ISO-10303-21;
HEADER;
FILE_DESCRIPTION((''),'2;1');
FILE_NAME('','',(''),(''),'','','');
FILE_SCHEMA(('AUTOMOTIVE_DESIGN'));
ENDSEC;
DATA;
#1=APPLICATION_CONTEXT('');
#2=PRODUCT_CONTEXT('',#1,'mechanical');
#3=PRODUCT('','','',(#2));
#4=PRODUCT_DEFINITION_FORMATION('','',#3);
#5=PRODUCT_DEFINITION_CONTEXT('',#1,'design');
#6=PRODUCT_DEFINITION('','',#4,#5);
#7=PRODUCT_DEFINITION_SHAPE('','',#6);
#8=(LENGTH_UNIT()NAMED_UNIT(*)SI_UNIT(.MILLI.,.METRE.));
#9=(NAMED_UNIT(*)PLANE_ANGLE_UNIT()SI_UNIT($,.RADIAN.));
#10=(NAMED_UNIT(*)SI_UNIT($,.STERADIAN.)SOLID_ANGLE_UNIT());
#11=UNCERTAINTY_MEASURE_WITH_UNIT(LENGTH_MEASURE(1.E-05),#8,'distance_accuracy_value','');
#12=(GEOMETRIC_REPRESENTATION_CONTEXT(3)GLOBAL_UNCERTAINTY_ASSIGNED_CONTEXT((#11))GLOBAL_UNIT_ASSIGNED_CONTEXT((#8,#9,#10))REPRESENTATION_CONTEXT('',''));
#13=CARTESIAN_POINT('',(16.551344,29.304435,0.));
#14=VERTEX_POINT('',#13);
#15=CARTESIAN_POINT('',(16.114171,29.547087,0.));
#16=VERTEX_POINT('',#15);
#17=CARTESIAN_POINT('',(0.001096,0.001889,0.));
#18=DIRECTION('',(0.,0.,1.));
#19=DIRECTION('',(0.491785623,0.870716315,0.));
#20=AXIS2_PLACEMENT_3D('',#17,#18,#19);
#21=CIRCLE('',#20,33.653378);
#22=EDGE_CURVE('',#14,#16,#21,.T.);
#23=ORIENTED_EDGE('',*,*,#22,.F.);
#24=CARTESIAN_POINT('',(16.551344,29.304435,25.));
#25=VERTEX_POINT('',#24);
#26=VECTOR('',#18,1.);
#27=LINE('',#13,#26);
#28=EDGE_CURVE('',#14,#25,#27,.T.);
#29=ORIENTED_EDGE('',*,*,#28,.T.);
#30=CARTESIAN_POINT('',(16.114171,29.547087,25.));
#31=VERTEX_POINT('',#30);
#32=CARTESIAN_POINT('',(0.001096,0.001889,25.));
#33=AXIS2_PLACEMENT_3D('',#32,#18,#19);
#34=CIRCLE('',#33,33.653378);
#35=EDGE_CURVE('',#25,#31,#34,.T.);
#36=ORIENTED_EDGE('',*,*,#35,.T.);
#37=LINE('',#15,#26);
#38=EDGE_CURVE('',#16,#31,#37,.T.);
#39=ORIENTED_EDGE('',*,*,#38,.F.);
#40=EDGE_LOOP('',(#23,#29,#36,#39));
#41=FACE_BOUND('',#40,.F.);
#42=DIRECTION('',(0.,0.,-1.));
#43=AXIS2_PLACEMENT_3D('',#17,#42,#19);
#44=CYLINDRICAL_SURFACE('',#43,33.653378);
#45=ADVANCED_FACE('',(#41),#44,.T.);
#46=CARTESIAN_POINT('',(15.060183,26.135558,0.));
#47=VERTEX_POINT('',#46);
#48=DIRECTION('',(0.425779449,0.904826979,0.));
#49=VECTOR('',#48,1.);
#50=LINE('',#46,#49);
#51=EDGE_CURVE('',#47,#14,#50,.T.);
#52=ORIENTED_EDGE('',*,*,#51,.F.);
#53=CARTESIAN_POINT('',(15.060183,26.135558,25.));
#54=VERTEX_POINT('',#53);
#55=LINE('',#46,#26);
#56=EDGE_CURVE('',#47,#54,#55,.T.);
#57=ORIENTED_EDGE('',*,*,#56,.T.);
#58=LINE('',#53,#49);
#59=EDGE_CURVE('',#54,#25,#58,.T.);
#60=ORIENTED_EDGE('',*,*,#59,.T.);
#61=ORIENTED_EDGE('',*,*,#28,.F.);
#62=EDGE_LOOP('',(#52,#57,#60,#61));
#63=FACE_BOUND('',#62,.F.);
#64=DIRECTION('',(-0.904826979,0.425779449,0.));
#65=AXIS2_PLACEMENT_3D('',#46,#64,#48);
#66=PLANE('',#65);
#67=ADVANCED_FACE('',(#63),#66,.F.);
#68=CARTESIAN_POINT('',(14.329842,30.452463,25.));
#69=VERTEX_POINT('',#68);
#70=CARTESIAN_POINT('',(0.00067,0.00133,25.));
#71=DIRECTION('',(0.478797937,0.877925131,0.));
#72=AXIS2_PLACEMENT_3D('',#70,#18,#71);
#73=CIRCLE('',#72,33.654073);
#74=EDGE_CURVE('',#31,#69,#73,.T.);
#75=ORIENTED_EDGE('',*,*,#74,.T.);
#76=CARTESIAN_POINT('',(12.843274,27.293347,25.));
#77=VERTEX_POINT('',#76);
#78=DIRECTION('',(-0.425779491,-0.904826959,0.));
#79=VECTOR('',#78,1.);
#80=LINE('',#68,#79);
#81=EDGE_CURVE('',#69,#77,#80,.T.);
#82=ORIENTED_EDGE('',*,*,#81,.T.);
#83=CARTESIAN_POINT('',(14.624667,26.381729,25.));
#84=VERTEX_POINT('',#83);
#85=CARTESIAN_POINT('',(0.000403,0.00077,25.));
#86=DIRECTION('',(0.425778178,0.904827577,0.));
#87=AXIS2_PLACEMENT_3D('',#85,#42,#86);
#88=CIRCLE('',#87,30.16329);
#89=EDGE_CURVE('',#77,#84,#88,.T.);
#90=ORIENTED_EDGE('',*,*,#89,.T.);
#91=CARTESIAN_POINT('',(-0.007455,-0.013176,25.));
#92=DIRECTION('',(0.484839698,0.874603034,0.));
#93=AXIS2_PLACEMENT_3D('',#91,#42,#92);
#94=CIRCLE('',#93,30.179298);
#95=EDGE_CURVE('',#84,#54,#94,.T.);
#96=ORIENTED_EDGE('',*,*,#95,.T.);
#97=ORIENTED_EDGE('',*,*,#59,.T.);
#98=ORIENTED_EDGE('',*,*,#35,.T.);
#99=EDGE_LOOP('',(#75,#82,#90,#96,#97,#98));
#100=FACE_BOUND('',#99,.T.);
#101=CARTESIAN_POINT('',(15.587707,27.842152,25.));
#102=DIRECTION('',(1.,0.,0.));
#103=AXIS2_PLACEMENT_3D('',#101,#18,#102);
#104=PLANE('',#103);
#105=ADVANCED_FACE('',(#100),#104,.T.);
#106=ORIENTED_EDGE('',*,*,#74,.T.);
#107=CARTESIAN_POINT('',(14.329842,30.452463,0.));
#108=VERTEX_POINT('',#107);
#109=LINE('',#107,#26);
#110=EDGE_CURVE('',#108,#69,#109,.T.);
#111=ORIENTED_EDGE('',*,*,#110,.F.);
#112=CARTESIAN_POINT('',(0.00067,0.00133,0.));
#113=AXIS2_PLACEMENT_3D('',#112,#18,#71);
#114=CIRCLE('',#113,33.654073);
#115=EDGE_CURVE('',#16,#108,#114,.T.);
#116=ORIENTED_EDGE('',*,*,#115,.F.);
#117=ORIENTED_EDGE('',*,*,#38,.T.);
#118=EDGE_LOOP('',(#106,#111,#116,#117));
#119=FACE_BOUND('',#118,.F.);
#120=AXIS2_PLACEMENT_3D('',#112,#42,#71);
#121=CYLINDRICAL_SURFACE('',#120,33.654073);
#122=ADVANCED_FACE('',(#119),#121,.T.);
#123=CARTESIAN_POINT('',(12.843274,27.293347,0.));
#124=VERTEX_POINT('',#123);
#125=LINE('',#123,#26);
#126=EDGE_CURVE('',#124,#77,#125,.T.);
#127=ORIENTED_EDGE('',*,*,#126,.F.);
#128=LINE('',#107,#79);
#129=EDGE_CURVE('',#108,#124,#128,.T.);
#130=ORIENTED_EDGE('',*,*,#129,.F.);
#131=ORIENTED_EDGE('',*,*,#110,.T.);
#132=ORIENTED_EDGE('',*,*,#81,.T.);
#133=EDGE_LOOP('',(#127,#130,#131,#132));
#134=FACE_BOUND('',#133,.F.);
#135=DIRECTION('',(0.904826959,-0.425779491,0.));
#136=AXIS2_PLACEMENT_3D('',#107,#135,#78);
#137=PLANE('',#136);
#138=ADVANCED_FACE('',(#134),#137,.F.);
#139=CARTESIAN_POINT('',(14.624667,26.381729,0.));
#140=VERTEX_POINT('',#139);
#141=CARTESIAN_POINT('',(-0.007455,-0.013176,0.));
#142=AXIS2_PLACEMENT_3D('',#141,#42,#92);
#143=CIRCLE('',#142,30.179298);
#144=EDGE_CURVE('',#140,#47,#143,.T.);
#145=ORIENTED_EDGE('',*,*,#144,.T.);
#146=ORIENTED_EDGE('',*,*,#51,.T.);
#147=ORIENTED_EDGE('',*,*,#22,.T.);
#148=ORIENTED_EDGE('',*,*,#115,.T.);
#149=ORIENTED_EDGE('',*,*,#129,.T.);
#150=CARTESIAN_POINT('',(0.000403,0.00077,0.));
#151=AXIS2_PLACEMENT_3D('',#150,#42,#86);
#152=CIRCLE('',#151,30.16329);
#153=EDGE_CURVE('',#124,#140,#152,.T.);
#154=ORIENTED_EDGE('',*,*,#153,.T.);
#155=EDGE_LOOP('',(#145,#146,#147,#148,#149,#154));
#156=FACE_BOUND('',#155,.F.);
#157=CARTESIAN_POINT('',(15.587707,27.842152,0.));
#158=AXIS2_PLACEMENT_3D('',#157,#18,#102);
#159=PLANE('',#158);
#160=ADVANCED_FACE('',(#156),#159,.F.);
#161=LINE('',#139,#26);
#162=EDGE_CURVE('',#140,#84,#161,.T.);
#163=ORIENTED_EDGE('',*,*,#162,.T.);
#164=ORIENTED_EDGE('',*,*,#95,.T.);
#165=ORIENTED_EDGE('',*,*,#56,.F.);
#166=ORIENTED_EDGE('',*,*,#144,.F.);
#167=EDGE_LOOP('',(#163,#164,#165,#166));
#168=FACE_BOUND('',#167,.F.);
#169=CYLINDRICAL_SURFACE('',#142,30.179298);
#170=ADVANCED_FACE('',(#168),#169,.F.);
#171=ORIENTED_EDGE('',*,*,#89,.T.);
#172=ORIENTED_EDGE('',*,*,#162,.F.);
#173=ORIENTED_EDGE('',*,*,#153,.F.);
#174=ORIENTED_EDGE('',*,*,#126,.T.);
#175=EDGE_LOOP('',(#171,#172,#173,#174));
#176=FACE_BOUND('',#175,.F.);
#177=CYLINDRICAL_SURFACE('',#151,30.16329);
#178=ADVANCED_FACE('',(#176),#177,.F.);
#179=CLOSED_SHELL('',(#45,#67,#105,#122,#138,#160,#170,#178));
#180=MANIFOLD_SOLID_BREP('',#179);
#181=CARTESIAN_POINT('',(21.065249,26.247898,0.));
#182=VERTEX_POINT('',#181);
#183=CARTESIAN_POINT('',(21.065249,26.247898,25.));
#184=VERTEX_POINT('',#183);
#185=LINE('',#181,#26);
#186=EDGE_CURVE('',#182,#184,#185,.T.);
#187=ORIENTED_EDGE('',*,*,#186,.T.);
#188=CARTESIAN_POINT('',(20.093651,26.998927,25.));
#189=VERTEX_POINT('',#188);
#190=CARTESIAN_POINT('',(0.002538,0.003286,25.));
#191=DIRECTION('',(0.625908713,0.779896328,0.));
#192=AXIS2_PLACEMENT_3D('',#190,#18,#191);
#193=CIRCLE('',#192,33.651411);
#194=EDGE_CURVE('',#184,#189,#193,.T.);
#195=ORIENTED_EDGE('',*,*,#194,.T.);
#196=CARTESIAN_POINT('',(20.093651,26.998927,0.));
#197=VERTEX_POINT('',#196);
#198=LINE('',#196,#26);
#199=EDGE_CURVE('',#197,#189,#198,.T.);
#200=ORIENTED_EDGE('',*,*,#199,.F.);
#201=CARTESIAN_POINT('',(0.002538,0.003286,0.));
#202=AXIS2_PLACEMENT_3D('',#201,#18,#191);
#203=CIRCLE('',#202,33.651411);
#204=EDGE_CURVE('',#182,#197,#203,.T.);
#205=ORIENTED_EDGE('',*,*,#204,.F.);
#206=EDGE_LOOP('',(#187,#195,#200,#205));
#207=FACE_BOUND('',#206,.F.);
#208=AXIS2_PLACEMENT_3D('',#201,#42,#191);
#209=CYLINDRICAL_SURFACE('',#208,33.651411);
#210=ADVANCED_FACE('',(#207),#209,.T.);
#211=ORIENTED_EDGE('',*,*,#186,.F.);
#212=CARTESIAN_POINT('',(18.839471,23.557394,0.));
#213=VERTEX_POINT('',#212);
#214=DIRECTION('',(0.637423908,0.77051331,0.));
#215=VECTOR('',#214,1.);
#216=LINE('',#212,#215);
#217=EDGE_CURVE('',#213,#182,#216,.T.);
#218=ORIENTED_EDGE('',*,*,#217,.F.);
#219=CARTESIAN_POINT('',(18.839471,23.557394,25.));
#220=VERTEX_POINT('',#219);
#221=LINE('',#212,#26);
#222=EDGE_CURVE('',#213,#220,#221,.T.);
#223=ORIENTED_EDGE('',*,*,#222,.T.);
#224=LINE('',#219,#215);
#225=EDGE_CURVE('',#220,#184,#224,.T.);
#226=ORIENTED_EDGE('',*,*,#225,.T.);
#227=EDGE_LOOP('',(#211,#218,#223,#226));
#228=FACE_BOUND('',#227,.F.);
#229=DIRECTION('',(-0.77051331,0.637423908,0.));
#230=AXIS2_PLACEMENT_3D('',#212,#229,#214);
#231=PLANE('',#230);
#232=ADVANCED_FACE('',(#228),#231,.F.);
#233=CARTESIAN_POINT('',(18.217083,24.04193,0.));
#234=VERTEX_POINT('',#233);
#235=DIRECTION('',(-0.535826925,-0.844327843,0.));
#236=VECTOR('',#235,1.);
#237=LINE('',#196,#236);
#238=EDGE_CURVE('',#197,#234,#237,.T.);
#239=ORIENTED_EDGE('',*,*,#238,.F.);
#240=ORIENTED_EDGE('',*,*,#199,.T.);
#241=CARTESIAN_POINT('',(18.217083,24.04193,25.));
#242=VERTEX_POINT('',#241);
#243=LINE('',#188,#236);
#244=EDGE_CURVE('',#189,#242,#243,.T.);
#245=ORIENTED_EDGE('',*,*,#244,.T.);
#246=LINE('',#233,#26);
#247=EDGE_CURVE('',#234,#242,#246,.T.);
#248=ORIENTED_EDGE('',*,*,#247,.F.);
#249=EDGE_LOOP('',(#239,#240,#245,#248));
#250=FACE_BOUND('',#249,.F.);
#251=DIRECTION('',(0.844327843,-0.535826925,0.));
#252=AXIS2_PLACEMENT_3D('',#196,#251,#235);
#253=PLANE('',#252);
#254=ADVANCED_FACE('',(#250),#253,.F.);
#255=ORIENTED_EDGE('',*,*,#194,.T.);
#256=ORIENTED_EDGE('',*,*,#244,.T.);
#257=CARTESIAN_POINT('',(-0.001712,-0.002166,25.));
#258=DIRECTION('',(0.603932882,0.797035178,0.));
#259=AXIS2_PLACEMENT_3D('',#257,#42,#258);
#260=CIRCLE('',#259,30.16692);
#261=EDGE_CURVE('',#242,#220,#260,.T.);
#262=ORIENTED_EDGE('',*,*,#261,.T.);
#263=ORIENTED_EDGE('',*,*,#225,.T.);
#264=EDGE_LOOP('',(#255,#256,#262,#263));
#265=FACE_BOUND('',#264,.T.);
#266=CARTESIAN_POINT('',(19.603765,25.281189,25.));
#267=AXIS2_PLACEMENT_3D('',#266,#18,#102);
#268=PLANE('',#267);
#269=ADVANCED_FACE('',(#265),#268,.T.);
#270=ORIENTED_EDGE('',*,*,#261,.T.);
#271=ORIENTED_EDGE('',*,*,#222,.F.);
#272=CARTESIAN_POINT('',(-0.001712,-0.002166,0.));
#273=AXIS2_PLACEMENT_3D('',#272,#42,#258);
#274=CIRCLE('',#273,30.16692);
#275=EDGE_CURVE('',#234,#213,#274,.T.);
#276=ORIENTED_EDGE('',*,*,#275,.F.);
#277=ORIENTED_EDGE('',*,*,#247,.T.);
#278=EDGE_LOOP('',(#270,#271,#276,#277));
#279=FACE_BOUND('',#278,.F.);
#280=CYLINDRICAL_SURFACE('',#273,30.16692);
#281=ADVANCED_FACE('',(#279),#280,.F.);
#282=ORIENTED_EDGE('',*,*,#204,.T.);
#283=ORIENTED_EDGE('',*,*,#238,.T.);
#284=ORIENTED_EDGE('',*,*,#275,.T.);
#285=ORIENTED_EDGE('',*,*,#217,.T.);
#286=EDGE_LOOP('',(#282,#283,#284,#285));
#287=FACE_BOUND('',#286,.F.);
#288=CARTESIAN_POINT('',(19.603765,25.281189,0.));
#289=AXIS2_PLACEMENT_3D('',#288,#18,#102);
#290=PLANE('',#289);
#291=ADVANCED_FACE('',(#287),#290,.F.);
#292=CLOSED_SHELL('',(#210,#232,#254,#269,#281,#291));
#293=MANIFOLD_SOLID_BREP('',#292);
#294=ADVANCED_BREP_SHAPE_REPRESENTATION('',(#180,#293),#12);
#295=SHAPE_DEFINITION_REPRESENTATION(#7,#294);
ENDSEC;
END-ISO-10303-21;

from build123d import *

# Parameters (mm, degrees)
F1_DEPTH = 25


with BuildPart() as f1:
    # F0 (on Top) → F1 (new body)
    with BuildSketch(Plane.XY):
        with BuildLine():
            Line((18.839471, 23.557394), (21.065249, 26.247898))
            ThreePointArc((21.065249, 26.247898), (20.582876, 26.627845), (20.093651, 26.998927))
            Line((20.093651, 26.998927), (18.217083, 24.04193))
            ThreePointArc((18.217083, 24.04193), (18.529861, 23.801696), (18.839471, 23.557394))
        make_face()
        with BuildLine():
            Line((15.060183, 26.135558), (16.551344, 29.304435))
            ThreePointArc((16.551344, 29.304435), (16.333208, 29.426573), (16.114171, 29.547087))
            Line((16.114171, 29.547087), (14.624667, 26.381729))
            ThreePointArc((14.624667, 26.381729), (14.842935, 26.259546), (15.060183, 26.135558))
        make_face()
        with BuildLine():
            Line((14.624667, 26.381729), (16.114171, 29.547087))
            ThreePointArc((16.114171, 29.547087), (15.228736, 30.013039), (14.329842, 30.452463))
            Line((14.329842, 30.452463), (12.843274, 27.293347))
            ThreePointArc((12.843274, 27.293347), (13.741532, 26.852315), (14.624667, 26.381729))
        make_face()
    extrude(amount=F1_DEPTH)


solid = f1.part
